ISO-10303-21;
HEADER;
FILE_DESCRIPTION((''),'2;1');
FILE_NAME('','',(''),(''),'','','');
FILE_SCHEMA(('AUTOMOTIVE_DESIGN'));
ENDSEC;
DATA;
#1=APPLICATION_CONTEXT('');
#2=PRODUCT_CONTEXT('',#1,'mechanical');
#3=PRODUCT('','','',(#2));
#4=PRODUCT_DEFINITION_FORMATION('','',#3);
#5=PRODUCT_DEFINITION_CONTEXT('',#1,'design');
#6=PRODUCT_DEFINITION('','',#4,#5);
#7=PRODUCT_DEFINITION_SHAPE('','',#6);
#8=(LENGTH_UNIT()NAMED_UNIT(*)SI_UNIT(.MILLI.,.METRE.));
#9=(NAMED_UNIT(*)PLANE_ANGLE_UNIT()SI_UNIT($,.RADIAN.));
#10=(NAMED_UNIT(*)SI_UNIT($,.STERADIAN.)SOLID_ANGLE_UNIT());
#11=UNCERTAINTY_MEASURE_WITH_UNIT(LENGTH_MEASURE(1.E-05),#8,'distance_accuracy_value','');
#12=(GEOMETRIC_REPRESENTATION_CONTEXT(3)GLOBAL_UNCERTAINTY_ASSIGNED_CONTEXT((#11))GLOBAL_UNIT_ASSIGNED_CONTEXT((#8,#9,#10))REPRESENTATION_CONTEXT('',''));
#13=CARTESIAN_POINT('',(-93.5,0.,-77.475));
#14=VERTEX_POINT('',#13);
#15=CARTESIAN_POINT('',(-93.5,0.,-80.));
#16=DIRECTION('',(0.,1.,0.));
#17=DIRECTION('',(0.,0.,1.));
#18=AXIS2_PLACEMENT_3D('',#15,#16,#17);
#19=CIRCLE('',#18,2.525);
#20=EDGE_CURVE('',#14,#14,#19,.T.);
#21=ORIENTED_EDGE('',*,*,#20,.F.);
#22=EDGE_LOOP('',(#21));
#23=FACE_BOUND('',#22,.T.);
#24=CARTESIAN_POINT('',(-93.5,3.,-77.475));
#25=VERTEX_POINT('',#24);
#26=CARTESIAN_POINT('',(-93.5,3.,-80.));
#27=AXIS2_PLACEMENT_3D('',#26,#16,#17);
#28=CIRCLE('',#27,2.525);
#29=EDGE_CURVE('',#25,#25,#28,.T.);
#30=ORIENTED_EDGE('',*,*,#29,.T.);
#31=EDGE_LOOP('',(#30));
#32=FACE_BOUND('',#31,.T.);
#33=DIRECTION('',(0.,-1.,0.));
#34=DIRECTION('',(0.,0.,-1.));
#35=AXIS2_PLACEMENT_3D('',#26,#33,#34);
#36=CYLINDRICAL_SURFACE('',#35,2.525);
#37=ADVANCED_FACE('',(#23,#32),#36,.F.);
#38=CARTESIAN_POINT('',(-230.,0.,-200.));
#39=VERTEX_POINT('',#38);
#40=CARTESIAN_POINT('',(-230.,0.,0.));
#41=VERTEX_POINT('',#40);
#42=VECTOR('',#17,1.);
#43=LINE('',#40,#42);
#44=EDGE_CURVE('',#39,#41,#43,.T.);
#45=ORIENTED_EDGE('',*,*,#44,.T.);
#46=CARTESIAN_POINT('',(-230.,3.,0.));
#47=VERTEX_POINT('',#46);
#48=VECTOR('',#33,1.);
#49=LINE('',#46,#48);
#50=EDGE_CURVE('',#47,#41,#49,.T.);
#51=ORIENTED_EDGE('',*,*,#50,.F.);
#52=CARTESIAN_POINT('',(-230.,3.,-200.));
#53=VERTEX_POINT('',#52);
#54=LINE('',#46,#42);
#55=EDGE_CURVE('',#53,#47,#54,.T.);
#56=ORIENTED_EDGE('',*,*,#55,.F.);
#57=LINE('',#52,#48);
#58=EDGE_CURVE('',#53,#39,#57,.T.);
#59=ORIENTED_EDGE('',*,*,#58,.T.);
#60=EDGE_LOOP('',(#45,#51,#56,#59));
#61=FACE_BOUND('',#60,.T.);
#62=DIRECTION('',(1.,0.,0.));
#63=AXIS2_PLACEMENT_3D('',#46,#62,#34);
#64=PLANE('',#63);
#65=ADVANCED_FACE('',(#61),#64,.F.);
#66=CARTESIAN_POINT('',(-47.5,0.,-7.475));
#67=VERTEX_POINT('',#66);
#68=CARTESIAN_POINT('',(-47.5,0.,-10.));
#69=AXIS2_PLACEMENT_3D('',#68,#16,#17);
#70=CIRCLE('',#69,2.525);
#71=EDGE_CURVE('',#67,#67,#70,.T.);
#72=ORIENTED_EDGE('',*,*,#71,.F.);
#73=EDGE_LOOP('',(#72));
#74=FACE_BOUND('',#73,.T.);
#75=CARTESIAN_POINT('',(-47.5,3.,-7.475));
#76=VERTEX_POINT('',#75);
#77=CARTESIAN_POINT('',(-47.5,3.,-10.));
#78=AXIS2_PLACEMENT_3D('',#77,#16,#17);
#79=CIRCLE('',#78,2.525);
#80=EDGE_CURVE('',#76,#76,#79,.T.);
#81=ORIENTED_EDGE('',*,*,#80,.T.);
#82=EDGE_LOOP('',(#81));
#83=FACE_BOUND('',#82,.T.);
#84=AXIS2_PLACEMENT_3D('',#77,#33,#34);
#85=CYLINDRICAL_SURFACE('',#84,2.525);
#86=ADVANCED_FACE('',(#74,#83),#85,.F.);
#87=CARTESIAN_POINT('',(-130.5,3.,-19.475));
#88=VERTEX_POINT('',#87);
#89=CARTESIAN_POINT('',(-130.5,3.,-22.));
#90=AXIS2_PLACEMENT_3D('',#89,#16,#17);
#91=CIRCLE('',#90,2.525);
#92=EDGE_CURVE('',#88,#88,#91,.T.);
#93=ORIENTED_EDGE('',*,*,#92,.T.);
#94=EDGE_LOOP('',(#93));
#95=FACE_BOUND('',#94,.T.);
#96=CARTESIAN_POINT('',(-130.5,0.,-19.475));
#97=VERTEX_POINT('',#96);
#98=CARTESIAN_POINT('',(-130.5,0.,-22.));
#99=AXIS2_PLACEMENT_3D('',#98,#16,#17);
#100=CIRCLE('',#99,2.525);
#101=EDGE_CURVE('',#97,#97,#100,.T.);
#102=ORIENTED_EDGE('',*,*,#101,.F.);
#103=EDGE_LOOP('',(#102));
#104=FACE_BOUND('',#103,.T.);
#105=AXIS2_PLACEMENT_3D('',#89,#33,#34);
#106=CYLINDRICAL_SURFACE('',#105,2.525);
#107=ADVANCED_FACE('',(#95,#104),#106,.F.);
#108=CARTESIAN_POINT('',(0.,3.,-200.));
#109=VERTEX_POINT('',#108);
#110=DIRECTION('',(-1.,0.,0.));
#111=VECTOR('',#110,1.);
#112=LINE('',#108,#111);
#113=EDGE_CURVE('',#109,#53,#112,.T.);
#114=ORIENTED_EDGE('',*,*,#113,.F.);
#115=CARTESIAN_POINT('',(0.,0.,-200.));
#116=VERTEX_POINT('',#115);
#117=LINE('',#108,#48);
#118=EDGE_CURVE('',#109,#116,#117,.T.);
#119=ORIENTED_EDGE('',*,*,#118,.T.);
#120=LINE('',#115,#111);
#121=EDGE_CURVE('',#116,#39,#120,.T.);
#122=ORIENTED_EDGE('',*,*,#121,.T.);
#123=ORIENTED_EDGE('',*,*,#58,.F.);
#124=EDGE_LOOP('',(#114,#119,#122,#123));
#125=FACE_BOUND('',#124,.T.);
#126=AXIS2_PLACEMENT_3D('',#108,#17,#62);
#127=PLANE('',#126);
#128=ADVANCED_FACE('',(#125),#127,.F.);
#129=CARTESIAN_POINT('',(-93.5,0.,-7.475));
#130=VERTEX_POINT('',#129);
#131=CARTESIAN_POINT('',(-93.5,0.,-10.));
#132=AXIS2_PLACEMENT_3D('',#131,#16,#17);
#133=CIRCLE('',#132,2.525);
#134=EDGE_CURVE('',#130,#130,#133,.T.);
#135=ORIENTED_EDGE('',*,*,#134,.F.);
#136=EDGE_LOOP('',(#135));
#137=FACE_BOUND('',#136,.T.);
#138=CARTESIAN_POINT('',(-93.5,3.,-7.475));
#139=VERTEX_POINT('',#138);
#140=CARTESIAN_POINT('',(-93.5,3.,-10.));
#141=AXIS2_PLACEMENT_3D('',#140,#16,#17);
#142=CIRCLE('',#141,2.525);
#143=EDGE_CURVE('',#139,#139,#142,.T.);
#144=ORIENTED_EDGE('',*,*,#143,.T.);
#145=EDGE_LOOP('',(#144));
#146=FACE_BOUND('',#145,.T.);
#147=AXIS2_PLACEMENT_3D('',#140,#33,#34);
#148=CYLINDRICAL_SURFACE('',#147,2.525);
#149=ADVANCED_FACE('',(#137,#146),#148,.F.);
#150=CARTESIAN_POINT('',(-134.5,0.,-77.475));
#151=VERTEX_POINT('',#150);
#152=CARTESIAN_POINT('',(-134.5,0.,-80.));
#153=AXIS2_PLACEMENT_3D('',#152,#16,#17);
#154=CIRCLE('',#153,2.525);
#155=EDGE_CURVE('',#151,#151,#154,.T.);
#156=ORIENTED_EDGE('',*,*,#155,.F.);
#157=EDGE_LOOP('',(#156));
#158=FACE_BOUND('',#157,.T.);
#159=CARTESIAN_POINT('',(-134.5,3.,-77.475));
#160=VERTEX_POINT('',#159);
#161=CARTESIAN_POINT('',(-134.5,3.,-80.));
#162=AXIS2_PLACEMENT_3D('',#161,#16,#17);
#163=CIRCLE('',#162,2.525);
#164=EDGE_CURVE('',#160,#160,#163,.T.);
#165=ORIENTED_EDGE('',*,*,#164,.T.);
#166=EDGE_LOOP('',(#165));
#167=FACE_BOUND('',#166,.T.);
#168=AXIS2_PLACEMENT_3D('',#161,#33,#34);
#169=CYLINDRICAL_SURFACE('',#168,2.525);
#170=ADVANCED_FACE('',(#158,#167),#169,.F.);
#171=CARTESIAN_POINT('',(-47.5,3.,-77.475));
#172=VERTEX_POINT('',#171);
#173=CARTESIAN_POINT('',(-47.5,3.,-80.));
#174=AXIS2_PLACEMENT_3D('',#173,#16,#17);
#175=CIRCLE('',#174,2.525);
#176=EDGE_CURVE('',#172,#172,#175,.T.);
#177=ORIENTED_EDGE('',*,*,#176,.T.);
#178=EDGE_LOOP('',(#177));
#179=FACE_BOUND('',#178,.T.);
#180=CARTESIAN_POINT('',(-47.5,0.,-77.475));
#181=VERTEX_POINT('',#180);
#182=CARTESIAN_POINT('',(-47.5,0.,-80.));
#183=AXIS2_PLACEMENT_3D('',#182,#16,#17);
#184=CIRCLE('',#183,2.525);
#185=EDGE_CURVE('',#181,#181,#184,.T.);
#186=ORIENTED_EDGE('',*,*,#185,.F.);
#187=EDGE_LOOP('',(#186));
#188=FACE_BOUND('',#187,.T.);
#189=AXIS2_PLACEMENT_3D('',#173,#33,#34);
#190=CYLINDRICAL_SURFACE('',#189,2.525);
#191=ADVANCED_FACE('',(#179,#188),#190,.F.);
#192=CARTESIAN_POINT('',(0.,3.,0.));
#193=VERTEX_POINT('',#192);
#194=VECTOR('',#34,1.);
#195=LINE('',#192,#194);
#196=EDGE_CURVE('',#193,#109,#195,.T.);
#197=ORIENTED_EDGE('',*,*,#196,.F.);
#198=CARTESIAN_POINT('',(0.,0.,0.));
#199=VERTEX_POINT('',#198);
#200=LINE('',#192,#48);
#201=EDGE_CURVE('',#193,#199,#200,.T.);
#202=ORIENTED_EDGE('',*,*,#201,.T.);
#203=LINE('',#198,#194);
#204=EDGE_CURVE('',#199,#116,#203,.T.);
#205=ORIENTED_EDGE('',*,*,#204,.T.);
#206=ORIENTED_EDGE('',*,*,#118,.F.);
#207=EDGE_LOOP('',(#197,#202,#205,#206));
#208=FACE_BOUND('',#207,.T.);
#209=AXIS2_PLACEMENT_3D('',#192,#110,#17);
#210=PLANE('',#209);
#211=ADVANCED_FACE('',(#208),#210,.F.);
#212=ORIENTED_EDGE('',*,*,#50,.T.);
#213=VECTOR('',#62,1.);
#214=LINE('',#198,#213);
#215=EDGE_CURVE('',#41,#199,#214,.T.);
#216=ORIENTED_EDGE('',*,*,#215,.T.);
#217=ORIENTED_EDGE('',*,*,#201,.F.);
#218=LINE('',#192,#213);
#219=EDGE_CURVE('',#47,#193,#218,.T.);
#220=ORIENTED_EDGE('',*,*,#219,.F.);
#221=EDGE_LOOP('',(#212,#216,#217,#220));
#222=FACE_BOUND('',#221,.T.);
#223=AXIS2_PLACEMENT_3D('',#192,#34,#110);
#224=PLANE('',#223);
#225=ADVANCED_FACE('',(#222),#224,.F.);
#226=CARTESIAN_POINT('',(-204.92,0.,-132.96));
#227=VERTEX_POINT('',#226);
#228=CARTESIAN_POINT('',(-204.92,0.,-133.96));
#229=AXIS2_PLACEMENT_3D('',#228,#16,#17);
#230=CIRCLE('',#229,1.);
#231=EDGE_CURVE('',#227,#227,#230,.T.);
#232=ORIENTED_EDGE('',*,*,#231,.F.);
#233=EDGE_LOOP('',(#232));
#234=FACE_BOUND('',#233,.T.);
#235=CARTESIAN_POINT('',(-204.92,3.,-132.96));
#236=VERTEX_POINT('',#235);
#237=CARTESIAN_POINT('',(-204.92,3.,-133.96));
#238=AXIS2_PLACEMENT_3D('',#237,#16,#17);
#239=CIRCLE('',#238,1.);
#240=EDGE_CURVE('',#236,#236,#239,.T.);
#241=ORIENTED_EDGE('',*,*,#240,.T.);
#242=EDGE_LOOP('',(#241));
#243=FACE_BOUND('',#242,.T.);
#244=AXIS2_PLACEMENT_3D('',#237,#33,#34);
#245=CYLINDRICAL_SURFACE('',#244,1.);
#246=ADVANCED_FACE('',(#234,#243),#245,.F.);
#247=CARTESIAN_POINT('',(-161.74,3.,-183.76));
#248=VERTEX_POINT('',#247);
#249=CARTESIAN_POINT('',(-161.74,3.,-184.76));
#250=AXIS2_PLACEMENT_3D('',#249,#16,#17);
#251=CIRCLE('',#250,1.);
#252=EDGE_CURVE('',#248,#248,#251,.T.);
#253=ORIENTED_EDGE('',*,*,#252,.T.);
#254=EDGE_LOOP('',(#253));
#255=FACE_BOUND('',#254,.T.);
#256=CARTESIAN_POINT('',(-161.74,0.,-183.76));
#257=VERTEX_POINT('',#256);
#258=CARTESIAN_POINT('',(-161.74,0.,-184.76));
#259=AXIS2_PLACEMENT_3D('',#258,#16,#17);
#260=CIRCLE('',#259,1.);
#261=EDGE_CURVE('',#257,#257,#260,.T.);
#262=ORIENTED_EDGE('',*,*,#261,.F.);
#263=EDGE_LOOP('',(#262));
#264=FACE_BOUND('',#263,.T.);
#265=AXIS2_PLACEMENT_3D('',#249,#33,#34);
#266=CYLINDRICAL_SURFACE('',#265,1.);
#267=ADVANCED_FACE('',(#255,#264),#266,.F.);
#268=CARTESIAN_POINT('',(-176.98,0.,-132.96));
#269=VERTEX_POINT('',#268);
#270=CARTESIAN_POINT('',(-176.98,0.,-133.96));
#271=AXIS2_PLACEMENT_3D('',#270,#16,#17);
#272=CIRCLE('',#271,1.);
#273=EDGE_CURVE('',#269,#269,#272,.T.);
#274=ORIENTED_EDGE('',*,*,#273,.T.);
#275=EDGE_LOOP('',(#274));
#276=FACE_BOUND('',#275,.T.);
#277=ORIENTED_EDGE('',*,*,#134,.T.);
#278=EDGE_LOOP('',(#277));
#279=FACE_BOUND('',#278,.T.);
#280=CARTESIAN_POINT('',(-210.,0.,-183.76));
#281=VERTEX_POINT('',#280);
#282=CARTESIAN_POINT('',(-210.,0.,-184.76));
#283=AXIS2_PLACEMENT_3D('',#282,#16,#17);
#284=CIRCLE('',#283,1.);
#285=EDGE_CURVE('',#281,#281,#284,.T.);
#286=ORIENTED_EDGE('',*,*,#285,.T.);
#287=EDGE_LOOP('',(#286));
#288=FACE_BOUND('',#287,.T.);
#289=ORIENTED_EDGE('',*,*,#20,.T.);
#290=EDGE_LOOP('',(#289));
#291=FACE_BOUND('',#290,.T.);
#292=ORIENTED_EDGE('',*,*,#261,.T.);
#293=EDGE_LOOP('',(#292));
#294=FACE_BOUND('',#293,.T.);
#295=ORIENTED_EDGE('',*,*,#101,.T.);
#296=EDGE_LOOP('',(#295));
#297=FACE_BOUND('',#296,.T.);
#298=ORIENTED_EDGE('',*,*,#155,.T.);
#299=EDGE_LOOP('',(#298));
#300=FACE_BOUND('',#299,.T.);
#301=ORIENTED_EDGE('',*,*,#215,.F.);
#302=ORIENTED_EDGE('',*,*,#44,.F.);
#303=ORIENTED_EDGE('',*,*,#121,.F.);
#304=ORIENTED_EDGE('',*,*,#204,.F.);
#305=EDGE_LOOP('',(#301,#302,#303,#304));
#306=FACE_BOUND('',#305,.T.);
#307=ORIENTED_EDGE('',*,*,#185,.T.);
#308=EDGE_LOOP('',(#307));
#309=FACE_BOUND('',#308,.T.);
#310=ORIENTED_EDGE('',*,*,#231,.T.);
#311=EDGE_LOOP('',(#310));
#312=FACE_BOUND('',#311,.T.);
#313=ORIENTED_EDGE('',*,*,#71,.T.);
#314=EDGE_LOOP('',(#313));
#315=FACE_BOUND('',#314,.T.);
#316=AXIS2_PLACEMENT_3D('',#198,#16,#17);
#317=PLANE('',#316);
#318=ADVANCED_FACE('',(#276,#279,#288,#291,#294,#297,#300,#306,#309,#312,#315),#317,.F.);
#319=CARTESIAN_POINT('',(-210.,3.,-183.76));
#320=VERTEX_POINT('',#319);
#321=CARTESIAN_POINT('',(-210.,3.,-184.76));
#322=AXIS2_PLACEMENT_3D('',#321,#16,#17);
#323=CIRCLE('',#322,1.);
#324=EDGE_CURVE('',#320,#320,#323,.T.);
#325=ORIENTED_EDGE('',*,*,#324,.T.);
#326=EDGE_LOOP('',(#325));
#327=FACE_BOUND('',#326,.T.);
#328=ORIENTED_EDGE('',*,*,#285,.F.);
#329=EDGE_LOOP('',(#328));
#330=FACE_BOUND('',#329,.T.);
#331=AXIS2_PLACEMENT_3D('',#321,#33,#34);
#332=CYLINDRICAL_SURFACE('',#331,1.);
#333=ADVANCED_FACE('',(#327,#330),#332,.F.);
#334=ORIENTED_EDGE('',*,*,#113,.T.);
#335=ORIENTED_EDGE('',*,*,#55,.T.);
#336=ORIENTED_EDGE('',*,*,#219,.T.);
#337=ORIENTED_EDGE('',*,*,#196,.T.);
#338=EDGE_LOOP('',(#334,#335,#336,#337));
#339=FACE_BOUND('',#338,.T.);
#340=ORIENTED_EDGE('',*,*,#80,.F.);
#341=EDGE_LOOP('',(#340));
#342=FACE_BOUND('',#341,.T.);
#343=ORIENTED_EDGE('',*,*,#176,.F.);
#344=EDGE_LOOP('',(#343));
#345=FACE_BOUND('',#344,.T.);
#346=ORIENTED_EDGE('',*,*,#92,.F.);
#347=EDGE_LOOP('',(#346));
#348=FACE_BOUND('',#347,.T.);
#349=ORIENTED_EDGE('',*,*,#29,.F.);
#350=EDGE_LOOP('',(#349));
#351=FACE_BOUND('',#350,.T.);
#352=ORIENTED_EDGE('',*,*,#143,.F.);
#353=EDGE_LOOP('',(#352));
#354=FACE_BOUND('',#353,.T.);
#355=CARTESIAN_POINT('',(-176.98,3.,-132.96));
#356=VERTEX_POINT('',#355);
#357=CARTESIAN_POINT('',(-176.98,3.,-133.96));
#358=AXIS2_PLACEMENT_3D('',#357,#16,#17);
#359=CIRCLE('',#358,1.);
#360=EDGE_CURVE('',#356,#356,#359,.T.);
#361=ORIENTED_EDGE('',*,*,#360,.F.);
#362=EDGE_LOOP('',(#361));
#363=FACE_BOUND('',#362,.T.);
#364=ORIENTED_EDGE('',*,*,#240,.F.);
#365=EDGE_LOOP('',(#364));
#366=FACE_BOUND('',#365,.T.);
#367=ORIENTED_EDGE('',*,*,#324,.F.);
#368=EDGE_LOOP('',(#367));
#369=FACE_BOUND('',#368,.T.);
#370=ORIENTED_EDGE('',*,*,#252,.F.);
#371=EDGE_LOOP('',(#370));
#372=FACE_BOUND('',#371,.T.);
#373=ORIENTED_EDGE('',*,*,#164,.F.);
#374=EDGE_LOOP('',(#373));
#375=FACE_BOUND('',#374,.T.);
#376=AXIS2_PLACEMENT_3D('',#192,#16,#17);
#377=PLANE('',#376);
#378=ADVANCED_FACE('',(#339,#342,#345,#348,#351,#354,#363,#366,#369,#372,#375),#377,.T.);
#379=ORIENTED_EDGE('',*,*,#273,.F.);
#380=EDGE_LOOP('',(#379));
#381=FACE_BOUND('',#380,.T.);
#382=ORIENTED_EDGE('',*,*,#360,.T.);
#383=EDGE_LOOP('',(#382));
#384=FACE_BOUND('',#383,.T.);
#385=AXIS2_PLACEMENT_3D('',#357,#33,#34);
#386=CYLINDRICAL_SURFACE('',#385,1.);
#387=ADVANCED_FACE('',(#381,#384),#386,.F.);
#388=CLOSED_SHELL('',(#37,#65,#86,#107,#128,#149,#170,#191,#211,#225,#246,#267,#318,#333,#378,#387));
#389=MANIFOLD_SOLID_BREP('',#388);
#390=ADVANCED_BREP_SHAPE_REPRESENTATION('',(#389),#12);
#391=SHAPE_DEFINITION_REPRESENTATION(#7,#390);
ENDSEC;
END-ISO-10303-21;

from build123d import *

# Parameters (mm, degrees)
SKETCH1_W           = 230
SKETCH1_H           = 200
SKETCH1_R           = 2.525
SKETCH1_R_2         = 1
BOSS_EXTRUDE2_DEPTH = 3


with BuildPart() as part:
    # Sketch1 → Boss-Extrude2 (new body)
    with BuildSketch(Plane(origin=(0, 0, 0), x_dir=(1, 0, 0), z_dir=(0, 1, 0))):
        with Locations((-115, 100)):
            Rectangle(SKETCH1_W, SKETCH1_H)
        with Locations(Location((-130.5, 22, 0), (0, 0, 270))):
            Circle(SKETCH1_R, mode=Mode.SUBTRACT)
        with Locations(Location((-93.5, 80, 0), (0, 0, 270))):
            Circle(SKETCH1_R, mode=Mode.SUBTRACT)
        with Locations(Location((-134.5, 80, 0), (0, 0, 270))):
            Circle(SKETCH1_R, mode=Mode.SUBTRACT)
        with Locations(Location((-47.5, 80, 0), (0, 0, 270))):
            Circle(SKETCH1_R, mode=Mode.SUBTRACT)
        with Locations(Location((-47.5, 10, 0), (0, 0, 270))):
            Circle(SKETCH1_R, mode=Mode.SUBTRACT)
        with Locations(Location((-93.5, 10, 0), (0, 0, 270))):
            Circle(SKETCH1_R, mode=Mode.SUBTRACT)
        with Locations(Location((-210, 184.76, 0), (0, 0, 270))):
            Circle(SKETCH1_R_2, mode=Mode.SUBTRACT)
        with Locations(Location((-161.74, 184.76, 0), (0, 0, 270))):
            Circle(SKETCH1_R_2, mode=Mode.SUBTRACT)
        with Locations(Location((-176.98, 133.96, 0), (0, 0, 270))):
            Circle(SKETCH1_R_2, mode=Mode.SUBTRACT)
        with Locations(Location((-204.92, 133.96, 0), (0, 0, 270))):
            Circle(SKETCH1_R_2, mode=Mode.SUBTRACT)
    extrude(amount=BOSS_EXTRUDE2_DEPTH)


solid = part.part
